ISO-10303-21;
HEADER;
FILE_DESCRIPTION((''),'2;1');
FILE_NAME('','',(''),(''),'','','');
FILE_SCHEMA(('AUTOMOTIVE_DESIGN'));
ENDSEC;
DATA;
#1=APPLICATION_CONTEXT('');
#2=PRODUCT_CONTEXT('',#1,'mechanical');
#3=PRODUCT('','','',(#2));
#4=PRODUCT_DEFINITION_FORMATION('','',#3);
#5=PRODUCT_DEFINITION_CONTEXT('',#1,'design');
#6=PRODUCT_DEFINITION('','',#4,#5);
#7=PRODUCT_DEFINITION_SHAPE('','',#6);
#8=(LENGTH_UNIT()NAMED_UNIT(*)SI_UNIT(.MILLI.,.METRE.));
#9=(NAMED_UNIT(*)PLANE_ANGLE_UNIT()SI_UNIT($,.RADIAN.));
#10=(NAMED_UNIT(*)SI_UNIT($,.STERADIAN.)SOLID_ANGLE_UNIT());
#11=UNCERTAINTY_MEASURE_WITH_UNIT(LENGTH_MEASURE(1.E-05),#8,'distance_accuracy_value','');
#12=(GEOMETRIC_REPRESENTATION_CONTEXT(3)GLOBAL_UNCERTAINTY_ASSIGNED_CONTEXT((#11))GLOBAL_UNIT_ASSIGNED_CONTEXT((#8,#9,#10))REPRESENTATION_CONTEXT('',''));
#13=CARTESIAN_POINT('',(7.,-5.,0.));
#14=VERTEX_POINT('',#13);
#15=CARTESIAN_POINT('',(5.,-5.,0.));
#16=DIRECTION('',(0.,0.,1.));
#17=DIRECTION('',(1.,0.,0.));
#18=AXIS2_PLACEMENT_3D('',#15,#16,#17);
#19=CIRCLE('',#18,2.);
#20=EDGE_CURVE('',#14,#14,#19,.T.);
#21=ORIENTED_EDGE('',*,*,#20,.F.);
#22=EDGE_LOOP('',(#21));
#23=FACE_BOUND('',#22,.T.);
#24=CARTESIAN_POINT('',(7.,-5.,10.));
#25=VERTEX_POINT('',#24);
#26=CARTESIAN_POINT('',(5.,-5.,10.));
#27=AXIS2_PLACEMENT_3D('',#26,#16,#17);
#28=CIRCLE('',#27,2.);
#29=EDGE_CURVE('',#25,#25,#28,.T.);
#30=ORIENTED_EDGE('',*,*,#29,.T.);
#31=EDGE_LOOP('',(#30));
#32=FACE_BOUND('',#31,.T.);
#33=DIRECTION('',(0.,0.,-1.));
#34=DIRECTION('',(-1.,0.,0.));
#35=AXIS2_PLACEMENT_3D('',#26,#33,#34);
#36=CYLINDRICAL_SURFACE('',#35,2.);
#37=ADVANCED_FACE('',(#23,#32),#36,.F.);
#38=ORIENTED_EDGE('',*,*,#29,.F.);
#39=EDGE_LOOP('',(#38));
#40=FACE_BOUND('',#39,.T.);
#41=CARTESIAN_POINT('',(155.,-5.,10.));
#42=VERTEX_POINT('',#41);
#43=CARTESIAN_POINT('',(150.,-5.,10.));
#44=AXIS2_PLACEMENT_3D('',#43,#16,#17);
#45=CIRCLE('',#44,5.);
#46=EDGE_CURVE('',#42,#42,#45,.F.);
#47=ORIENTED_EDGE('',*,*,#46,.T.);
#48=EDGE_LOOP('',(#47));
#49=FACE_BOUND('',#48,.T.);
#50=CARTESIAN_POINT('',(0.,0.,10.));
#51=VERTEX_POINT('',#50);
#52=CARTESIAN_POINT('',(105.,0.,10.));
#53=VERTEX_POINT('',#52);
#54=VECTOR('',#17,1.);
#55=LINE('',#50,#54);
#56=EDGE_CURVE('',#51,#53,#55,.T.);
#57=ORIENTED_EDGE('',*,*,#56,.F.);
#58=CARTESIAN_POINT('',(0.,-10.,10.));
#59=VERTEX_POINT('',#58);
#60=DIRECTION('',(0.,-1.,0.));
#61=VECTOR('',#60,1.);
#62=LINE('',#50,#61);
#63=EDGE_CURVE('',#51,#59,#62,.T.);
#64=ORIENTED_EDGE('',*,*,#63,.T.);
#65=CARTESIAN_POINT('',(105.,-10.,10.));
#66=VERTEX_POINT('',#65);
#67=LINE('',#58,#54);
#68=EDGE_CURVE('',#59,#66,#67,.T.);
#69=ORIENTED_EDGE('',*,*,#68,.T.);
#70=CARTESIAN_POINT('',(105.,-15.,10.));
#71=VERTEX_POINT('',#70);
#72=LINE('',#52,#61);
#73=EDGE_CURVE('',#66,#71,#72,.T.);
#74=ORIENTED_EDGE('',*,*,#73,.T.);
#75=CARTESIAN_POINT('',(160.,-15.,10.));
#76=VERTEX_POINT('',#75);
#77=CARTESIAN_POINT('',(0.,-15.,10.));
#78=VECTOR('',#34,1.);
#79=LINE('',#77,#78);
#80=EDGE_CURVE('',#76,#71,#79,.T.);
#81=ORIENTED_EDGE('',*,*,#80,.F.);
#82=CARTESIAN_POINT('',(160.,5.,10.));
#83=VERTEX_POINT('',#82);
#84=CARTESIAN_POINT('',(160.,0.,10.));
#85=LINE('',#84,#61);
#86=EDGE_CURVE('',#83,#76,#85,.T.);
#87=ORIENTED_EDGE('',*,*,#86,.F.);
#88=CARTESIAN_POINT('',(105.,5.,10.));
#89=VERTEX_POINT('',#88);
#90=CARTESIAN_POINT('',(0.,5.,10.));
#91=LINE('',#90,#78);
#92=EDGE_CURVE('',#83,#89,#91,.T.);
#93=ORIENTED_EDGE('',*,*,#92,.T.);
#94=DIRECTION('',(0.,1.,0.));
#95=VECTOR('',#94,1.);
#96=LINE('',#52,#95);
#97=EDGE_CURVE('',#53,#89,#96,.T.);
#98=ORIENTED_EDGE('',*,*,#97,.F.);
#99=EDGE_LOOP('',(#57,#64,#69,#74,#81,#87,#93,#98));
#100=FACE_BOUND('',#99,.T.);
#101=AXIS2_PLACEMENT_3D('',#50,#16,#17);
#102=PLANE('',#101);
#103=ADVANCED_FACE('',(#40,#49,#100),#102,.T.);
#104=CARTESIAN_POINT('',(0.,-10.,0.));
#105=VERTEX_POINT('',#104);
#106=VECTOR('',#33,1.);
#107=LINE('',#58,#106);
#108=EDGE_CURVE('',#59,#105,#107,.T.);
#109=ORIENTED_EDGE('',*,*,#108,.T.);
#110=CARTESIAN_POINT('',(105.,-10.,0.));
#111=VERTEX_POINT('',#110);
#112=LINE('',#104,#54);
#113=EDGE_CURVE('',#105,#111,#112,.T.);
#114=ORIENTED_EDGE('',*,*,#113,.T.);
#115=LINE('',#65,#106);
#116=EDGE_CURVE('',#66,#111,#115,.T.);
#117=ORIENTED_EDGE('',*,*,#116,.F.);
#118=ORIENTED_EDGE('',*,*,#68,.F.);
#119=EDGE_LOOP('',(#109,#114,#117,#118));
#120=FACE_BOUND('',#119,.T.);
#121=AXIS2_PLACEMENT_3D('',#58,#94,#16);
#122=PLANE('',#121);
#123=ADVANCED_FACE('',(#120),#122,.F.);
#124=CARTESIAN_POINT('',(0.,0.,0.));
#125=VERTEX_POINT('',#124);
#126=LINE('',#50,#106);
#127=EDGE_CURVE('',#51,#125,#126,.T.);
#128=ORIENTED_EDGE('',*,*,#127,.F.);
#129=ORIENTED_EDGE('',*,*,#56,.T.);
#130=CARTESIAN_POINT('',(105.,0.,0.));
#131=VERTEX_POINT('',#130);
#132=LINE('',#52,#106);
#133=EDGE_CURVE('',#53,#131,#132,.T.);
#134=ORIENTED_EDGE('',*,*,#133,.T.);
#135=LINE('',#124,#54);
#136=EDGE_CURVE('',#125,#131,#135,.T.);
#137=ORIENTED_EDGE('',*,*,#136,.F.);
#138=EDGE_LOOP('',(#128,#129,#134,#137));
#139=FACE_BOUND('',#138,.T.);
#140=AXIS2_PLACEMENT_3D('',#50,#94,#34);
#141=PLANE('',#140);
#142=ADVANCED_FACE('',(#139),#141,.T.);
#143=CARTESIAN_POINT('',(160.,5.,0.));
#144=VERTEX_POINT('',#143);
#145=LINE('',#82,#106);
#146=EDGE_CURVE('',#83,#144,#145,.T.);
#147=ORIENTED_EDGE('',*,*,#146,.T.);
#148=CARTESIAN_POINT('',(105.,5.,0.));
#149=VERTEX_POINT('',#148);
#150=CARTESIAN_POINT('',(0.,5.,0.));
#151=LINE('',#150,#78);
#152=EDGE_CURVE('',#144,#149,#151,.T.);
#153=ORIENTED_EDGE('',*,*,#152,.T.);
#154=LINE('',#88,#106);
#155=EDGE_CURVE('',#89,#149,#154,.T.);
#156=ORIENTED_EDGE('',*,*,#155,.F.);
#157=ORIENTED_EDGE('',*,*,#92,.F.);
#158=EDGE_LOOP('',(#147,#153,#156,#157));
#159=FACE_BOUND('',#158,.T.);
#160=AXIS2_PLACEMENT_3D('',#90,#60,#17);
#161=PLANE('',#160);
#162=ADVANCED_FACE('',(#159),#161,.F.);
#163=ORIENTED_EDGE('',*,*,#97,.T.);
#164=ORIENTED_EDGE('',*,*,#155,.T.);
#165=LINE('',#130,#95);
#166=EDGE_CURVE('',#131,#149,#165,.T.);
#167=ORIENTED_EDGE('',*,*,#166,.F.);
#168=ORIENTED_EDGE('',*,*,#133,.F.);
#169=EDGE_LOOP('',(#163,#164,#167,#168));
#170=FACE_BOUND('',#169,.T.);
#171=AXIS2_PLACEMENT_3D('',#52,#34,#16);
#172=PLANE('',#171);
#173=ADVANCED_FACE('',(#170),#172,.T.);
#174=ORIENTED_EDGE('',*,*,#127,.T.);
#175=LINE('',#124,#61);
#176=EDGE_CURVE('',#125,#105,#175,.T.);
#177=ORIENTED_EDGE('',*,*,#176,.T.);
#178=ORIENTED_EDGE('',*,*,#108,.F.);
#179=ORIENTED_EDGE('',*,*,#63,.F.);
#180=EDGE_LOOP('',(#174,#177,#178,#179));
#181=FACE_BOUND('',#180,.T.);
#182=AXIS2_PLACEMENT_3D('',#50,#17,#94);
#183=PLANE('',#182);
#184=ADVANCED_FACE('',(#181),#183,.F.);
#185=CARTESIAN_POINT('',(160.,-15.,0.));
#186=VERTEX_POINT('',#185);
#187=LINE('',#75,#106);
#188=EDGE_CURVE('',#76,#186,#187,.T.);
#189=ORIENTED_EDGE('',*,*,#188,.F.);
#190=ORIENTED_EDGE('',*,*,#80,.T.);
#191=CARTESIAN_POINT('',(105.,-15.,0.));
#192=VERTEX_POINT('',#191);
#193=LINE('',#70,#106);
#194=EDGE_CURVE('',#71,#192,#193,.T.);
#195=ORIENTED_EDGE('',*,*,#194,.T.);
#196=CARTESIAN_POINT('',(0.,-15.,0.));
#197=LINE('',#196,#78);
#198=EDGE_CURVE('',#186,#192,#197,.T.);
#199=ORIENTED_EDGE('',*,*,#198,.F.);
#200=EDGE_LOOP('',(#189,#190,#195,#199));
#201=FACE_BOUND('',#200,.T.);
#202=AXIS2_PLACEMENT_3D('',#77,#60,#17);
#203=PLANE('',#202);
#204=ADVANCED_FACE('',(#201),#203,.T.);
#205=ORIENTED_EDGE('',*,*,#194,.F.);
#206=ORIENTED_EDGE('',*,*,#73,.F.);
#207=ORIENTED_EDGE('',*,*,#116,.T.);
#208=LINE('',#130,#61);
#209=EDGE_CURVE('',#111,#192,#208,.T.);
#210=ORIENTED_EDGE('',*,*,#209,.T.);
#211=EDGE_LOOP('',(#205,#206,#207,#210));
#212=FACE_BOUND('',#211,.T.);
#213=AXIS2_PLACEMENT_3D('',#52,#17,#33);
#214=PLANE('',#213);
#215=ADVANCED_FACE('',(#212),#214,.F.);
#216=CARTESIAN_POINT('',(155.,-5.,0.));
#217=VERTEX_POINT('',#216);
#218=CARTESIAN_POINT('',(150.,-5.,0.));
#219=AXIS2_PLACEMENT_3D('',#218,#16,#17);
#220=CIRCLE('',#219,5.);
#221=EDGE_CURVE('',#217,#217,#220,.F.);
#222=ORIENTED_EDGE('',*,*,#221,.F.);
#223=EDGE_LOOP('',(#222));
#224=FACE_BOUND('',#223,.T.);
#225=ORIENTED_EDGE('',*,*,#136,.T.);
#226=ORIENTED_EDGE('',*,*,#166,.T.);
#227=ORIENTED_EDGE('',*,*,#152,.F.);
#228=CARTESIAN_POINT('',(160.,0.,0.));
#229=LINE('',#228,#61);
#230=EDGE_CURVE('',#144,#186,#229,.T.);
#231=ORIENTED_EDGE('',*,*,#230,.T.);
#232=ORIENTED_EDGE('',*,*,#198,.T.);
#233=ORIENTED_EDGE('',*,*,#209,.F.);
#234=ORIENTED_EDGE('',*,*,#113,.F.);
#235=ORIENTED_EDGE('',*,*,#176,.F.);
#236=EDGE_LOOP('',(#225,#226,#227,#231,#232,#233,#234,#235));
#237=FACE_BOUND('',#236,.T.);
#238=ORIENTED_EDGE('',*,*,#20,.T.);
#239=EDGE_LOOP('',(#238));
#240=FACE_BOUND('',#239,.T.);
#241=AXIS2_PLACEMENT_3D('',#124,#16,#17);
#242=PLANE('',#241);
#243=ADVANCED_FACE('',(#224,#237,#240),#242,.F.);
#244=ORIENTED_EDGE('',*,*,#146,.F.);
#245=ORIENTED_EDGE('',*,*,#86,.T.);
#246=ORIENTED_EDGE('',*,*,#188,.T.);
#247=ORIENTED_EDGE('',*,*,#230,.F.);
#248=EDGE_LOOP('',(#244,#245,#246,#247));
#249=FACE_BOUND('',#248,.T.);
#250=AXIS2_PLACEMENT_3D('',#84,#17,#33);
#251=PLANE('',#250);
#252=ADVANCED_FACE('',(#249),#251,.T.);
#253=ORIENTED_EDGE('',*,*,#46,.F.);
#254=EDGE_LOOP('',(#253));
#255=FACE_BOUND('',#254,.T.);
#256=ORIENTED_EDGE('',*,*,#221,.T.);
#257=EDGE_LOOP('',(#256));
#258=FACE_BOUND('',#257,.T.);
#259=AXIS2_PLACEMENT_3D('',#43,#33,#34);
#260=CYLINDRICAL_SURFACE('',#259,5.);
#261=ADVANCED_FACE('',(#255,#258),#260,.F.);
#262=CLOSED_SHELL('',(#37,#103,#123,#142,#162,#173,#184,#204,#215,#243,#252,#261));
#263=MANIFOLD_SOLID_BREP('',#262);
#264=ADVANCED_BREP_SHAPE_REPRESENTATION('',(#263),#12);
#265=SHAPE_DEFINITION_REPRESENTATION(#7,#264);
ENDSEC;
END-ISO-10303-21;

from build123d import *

# Parameters (mm, degrees)
SKETCH_1_R      = 5
SKETCH_1_R_2    = 2
EXTRUDE_1_DEPTH = 10


with BuildPart() as part:
    # 草图1 → 凸台-拉伸1 (new body)
    with BuildSketch(Plane.XY):
        Polygon((0, 0), (105, 0), (105, 5), (155, 5), (160, 5), (160, -15), (155, -15), (105, -15), (105, -10), (0, -10), align=None)
        with Locations((150, -5)):
            Circle(SKETCH_1_R, mode=Mode.SUBTRACT)
        with Locations((5, -5)):
            Circle(SKETCH_1_R_2, mode=Mode.SUBTRACT)
    extrude(amount=EXTRUDE_1_DEPTH)


solid = part.part
